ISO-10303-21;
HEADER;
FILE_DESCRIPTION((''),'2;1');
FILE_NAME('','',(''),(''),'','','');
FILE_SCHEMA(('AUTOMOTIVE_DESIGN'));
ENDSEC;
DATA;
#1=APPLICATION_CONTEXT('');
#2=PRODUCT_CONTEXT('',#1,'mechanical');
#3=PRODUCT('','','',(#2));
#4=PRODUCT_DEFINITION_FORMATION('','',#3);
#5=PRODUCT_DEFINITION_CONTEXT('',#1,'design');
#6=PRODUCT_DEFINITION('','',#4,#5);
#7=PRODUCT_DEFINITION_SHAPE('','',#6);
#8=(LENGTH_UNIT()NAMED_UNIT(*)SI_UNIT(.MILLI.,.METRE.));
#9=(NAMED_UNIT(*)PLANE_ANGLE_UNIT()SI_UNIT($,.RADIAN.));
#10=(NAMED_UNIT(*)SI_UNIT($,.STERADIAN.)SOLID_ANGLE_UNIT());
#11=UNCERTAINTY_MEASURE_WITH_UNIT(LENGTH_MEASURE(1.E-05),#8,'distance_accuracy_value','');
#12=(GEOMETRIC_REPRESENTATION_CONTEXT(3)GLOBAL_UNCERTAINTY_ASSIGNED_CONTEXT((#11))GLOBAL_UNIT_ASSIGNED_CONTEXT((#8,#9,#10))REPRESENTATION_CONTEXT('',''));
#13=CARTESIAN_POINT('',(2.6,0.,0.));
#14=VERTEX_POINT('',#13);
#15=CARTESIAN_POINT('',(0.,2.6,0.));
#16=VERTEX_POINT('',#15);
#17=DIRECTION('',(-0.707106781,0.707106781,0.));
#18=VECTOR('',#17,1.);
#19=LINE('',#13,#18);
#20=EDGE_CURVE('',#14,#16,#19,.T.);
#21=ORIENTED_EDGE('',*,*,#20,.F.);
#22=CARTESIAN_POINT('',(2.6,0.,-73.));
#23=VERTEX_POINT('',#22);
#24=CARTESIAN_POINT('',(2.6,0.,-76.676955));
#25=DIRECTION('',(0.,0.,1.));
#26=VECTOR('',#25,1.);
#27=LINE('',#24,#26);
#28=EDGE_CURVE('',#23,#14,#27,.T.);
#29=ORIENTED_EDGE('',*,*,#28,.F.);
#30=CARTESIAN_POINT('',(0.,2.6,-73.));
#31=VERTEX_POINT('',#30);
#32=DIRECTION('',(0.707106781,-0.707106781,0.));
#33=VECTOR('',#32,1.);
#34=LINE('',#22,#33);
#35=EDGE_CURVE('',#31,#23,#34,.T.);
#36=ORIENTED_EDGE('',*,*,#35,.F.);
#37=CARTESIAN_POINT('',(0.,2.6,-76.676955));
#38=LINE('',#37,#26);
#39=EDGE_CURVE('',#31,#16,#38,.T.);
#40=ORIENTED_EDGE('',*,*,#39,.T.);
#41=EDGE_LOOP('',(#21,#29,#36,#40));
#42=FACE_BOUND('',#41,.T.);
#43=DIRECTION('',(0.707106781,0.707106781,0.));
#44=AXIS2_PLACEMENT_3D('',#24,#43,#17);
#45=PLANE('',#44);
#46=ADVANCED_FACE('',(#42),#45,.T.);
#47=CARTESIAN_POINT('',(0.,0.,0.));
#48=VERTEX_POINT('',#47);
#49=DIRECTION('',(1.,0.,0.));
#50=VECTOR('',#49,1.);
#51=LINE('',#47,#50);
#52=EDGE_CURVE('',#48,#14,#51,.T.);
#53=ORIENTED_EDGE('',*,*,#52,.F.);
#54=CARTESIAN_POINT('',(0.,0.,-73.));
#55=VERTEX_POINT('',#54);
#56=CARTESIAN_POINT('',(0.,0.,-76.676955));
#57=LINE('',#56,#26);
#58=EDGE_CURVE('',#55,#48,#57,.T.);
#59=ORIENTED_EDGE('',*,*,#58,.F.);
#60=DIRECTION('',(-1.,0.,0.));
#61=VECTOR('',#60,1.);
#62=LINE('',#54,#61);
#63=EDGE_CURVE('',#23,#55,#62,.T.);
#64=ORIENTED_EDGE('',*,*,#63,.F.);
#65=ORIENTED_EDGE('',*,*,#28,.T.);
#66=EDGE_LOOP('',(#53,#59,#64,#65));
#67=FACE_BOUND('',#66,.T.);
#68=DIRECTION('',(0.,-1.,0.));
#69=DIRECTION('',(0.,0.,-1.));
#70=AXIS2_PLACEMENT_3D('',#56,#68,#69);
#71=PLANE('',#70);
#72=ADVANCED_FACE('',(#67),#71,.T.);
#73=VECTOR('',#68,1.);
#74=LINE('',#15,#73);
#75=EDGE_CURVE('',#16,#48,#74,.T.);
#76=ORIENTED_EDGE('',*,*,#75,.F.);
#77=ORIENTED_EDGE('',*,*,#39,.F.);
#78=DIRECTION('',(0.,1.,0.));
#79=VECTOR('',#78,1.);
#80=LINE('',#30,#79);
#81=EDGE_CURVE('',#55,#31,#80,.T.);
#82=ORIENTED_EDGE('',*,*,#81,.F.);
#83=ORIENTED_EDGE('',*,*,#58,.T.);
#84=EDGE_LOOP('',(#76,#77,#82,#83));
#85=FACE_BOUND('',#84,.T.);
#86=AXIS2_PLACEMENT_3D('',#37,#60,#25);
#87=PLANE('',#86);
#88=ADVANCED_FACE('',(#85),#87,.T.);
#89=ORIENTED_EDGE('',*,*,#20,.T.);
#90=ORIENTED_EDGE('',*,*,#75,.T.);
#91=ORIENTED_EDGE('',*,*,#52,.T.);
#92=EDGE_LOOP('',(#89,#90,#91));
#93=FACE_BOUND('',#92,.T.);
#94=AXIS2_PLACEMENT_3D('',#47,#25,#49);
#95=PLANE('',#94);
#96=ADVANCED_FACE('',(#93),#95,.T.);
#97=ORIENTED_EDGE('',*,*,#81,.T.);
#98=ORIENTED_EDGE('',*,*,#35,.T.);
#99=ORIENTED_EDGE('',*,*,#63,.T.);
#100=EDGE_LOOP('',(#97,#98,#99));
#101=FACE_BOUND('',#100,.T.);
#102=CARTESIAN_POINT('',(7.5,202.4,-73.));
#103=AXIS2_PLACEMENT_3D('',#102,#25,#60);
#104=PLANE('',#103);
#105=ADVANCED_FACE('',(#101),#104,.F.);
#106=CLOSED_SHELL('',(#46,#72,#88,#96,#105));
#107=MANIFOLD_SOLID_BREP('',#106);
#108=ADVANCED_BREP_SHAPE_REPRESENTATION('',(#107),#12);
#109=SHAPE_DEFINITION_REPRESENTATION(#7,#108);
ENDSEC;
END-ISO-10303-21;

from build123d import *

# Parameters (mm, degrees)
BOSS_EXTRUDE1_DEPTH = 73


with BuildPart() as part:
    # Sketch1 → Boss-Extrude1 (new body)
    with BuildSketch(Plane.XY):
        Polygon((0, 0), (2.6, 0), (0, 2.6), align=None)
    extrude(amount=-BOSS_EXTRUDE1_DEPTH)


solid = part.part
